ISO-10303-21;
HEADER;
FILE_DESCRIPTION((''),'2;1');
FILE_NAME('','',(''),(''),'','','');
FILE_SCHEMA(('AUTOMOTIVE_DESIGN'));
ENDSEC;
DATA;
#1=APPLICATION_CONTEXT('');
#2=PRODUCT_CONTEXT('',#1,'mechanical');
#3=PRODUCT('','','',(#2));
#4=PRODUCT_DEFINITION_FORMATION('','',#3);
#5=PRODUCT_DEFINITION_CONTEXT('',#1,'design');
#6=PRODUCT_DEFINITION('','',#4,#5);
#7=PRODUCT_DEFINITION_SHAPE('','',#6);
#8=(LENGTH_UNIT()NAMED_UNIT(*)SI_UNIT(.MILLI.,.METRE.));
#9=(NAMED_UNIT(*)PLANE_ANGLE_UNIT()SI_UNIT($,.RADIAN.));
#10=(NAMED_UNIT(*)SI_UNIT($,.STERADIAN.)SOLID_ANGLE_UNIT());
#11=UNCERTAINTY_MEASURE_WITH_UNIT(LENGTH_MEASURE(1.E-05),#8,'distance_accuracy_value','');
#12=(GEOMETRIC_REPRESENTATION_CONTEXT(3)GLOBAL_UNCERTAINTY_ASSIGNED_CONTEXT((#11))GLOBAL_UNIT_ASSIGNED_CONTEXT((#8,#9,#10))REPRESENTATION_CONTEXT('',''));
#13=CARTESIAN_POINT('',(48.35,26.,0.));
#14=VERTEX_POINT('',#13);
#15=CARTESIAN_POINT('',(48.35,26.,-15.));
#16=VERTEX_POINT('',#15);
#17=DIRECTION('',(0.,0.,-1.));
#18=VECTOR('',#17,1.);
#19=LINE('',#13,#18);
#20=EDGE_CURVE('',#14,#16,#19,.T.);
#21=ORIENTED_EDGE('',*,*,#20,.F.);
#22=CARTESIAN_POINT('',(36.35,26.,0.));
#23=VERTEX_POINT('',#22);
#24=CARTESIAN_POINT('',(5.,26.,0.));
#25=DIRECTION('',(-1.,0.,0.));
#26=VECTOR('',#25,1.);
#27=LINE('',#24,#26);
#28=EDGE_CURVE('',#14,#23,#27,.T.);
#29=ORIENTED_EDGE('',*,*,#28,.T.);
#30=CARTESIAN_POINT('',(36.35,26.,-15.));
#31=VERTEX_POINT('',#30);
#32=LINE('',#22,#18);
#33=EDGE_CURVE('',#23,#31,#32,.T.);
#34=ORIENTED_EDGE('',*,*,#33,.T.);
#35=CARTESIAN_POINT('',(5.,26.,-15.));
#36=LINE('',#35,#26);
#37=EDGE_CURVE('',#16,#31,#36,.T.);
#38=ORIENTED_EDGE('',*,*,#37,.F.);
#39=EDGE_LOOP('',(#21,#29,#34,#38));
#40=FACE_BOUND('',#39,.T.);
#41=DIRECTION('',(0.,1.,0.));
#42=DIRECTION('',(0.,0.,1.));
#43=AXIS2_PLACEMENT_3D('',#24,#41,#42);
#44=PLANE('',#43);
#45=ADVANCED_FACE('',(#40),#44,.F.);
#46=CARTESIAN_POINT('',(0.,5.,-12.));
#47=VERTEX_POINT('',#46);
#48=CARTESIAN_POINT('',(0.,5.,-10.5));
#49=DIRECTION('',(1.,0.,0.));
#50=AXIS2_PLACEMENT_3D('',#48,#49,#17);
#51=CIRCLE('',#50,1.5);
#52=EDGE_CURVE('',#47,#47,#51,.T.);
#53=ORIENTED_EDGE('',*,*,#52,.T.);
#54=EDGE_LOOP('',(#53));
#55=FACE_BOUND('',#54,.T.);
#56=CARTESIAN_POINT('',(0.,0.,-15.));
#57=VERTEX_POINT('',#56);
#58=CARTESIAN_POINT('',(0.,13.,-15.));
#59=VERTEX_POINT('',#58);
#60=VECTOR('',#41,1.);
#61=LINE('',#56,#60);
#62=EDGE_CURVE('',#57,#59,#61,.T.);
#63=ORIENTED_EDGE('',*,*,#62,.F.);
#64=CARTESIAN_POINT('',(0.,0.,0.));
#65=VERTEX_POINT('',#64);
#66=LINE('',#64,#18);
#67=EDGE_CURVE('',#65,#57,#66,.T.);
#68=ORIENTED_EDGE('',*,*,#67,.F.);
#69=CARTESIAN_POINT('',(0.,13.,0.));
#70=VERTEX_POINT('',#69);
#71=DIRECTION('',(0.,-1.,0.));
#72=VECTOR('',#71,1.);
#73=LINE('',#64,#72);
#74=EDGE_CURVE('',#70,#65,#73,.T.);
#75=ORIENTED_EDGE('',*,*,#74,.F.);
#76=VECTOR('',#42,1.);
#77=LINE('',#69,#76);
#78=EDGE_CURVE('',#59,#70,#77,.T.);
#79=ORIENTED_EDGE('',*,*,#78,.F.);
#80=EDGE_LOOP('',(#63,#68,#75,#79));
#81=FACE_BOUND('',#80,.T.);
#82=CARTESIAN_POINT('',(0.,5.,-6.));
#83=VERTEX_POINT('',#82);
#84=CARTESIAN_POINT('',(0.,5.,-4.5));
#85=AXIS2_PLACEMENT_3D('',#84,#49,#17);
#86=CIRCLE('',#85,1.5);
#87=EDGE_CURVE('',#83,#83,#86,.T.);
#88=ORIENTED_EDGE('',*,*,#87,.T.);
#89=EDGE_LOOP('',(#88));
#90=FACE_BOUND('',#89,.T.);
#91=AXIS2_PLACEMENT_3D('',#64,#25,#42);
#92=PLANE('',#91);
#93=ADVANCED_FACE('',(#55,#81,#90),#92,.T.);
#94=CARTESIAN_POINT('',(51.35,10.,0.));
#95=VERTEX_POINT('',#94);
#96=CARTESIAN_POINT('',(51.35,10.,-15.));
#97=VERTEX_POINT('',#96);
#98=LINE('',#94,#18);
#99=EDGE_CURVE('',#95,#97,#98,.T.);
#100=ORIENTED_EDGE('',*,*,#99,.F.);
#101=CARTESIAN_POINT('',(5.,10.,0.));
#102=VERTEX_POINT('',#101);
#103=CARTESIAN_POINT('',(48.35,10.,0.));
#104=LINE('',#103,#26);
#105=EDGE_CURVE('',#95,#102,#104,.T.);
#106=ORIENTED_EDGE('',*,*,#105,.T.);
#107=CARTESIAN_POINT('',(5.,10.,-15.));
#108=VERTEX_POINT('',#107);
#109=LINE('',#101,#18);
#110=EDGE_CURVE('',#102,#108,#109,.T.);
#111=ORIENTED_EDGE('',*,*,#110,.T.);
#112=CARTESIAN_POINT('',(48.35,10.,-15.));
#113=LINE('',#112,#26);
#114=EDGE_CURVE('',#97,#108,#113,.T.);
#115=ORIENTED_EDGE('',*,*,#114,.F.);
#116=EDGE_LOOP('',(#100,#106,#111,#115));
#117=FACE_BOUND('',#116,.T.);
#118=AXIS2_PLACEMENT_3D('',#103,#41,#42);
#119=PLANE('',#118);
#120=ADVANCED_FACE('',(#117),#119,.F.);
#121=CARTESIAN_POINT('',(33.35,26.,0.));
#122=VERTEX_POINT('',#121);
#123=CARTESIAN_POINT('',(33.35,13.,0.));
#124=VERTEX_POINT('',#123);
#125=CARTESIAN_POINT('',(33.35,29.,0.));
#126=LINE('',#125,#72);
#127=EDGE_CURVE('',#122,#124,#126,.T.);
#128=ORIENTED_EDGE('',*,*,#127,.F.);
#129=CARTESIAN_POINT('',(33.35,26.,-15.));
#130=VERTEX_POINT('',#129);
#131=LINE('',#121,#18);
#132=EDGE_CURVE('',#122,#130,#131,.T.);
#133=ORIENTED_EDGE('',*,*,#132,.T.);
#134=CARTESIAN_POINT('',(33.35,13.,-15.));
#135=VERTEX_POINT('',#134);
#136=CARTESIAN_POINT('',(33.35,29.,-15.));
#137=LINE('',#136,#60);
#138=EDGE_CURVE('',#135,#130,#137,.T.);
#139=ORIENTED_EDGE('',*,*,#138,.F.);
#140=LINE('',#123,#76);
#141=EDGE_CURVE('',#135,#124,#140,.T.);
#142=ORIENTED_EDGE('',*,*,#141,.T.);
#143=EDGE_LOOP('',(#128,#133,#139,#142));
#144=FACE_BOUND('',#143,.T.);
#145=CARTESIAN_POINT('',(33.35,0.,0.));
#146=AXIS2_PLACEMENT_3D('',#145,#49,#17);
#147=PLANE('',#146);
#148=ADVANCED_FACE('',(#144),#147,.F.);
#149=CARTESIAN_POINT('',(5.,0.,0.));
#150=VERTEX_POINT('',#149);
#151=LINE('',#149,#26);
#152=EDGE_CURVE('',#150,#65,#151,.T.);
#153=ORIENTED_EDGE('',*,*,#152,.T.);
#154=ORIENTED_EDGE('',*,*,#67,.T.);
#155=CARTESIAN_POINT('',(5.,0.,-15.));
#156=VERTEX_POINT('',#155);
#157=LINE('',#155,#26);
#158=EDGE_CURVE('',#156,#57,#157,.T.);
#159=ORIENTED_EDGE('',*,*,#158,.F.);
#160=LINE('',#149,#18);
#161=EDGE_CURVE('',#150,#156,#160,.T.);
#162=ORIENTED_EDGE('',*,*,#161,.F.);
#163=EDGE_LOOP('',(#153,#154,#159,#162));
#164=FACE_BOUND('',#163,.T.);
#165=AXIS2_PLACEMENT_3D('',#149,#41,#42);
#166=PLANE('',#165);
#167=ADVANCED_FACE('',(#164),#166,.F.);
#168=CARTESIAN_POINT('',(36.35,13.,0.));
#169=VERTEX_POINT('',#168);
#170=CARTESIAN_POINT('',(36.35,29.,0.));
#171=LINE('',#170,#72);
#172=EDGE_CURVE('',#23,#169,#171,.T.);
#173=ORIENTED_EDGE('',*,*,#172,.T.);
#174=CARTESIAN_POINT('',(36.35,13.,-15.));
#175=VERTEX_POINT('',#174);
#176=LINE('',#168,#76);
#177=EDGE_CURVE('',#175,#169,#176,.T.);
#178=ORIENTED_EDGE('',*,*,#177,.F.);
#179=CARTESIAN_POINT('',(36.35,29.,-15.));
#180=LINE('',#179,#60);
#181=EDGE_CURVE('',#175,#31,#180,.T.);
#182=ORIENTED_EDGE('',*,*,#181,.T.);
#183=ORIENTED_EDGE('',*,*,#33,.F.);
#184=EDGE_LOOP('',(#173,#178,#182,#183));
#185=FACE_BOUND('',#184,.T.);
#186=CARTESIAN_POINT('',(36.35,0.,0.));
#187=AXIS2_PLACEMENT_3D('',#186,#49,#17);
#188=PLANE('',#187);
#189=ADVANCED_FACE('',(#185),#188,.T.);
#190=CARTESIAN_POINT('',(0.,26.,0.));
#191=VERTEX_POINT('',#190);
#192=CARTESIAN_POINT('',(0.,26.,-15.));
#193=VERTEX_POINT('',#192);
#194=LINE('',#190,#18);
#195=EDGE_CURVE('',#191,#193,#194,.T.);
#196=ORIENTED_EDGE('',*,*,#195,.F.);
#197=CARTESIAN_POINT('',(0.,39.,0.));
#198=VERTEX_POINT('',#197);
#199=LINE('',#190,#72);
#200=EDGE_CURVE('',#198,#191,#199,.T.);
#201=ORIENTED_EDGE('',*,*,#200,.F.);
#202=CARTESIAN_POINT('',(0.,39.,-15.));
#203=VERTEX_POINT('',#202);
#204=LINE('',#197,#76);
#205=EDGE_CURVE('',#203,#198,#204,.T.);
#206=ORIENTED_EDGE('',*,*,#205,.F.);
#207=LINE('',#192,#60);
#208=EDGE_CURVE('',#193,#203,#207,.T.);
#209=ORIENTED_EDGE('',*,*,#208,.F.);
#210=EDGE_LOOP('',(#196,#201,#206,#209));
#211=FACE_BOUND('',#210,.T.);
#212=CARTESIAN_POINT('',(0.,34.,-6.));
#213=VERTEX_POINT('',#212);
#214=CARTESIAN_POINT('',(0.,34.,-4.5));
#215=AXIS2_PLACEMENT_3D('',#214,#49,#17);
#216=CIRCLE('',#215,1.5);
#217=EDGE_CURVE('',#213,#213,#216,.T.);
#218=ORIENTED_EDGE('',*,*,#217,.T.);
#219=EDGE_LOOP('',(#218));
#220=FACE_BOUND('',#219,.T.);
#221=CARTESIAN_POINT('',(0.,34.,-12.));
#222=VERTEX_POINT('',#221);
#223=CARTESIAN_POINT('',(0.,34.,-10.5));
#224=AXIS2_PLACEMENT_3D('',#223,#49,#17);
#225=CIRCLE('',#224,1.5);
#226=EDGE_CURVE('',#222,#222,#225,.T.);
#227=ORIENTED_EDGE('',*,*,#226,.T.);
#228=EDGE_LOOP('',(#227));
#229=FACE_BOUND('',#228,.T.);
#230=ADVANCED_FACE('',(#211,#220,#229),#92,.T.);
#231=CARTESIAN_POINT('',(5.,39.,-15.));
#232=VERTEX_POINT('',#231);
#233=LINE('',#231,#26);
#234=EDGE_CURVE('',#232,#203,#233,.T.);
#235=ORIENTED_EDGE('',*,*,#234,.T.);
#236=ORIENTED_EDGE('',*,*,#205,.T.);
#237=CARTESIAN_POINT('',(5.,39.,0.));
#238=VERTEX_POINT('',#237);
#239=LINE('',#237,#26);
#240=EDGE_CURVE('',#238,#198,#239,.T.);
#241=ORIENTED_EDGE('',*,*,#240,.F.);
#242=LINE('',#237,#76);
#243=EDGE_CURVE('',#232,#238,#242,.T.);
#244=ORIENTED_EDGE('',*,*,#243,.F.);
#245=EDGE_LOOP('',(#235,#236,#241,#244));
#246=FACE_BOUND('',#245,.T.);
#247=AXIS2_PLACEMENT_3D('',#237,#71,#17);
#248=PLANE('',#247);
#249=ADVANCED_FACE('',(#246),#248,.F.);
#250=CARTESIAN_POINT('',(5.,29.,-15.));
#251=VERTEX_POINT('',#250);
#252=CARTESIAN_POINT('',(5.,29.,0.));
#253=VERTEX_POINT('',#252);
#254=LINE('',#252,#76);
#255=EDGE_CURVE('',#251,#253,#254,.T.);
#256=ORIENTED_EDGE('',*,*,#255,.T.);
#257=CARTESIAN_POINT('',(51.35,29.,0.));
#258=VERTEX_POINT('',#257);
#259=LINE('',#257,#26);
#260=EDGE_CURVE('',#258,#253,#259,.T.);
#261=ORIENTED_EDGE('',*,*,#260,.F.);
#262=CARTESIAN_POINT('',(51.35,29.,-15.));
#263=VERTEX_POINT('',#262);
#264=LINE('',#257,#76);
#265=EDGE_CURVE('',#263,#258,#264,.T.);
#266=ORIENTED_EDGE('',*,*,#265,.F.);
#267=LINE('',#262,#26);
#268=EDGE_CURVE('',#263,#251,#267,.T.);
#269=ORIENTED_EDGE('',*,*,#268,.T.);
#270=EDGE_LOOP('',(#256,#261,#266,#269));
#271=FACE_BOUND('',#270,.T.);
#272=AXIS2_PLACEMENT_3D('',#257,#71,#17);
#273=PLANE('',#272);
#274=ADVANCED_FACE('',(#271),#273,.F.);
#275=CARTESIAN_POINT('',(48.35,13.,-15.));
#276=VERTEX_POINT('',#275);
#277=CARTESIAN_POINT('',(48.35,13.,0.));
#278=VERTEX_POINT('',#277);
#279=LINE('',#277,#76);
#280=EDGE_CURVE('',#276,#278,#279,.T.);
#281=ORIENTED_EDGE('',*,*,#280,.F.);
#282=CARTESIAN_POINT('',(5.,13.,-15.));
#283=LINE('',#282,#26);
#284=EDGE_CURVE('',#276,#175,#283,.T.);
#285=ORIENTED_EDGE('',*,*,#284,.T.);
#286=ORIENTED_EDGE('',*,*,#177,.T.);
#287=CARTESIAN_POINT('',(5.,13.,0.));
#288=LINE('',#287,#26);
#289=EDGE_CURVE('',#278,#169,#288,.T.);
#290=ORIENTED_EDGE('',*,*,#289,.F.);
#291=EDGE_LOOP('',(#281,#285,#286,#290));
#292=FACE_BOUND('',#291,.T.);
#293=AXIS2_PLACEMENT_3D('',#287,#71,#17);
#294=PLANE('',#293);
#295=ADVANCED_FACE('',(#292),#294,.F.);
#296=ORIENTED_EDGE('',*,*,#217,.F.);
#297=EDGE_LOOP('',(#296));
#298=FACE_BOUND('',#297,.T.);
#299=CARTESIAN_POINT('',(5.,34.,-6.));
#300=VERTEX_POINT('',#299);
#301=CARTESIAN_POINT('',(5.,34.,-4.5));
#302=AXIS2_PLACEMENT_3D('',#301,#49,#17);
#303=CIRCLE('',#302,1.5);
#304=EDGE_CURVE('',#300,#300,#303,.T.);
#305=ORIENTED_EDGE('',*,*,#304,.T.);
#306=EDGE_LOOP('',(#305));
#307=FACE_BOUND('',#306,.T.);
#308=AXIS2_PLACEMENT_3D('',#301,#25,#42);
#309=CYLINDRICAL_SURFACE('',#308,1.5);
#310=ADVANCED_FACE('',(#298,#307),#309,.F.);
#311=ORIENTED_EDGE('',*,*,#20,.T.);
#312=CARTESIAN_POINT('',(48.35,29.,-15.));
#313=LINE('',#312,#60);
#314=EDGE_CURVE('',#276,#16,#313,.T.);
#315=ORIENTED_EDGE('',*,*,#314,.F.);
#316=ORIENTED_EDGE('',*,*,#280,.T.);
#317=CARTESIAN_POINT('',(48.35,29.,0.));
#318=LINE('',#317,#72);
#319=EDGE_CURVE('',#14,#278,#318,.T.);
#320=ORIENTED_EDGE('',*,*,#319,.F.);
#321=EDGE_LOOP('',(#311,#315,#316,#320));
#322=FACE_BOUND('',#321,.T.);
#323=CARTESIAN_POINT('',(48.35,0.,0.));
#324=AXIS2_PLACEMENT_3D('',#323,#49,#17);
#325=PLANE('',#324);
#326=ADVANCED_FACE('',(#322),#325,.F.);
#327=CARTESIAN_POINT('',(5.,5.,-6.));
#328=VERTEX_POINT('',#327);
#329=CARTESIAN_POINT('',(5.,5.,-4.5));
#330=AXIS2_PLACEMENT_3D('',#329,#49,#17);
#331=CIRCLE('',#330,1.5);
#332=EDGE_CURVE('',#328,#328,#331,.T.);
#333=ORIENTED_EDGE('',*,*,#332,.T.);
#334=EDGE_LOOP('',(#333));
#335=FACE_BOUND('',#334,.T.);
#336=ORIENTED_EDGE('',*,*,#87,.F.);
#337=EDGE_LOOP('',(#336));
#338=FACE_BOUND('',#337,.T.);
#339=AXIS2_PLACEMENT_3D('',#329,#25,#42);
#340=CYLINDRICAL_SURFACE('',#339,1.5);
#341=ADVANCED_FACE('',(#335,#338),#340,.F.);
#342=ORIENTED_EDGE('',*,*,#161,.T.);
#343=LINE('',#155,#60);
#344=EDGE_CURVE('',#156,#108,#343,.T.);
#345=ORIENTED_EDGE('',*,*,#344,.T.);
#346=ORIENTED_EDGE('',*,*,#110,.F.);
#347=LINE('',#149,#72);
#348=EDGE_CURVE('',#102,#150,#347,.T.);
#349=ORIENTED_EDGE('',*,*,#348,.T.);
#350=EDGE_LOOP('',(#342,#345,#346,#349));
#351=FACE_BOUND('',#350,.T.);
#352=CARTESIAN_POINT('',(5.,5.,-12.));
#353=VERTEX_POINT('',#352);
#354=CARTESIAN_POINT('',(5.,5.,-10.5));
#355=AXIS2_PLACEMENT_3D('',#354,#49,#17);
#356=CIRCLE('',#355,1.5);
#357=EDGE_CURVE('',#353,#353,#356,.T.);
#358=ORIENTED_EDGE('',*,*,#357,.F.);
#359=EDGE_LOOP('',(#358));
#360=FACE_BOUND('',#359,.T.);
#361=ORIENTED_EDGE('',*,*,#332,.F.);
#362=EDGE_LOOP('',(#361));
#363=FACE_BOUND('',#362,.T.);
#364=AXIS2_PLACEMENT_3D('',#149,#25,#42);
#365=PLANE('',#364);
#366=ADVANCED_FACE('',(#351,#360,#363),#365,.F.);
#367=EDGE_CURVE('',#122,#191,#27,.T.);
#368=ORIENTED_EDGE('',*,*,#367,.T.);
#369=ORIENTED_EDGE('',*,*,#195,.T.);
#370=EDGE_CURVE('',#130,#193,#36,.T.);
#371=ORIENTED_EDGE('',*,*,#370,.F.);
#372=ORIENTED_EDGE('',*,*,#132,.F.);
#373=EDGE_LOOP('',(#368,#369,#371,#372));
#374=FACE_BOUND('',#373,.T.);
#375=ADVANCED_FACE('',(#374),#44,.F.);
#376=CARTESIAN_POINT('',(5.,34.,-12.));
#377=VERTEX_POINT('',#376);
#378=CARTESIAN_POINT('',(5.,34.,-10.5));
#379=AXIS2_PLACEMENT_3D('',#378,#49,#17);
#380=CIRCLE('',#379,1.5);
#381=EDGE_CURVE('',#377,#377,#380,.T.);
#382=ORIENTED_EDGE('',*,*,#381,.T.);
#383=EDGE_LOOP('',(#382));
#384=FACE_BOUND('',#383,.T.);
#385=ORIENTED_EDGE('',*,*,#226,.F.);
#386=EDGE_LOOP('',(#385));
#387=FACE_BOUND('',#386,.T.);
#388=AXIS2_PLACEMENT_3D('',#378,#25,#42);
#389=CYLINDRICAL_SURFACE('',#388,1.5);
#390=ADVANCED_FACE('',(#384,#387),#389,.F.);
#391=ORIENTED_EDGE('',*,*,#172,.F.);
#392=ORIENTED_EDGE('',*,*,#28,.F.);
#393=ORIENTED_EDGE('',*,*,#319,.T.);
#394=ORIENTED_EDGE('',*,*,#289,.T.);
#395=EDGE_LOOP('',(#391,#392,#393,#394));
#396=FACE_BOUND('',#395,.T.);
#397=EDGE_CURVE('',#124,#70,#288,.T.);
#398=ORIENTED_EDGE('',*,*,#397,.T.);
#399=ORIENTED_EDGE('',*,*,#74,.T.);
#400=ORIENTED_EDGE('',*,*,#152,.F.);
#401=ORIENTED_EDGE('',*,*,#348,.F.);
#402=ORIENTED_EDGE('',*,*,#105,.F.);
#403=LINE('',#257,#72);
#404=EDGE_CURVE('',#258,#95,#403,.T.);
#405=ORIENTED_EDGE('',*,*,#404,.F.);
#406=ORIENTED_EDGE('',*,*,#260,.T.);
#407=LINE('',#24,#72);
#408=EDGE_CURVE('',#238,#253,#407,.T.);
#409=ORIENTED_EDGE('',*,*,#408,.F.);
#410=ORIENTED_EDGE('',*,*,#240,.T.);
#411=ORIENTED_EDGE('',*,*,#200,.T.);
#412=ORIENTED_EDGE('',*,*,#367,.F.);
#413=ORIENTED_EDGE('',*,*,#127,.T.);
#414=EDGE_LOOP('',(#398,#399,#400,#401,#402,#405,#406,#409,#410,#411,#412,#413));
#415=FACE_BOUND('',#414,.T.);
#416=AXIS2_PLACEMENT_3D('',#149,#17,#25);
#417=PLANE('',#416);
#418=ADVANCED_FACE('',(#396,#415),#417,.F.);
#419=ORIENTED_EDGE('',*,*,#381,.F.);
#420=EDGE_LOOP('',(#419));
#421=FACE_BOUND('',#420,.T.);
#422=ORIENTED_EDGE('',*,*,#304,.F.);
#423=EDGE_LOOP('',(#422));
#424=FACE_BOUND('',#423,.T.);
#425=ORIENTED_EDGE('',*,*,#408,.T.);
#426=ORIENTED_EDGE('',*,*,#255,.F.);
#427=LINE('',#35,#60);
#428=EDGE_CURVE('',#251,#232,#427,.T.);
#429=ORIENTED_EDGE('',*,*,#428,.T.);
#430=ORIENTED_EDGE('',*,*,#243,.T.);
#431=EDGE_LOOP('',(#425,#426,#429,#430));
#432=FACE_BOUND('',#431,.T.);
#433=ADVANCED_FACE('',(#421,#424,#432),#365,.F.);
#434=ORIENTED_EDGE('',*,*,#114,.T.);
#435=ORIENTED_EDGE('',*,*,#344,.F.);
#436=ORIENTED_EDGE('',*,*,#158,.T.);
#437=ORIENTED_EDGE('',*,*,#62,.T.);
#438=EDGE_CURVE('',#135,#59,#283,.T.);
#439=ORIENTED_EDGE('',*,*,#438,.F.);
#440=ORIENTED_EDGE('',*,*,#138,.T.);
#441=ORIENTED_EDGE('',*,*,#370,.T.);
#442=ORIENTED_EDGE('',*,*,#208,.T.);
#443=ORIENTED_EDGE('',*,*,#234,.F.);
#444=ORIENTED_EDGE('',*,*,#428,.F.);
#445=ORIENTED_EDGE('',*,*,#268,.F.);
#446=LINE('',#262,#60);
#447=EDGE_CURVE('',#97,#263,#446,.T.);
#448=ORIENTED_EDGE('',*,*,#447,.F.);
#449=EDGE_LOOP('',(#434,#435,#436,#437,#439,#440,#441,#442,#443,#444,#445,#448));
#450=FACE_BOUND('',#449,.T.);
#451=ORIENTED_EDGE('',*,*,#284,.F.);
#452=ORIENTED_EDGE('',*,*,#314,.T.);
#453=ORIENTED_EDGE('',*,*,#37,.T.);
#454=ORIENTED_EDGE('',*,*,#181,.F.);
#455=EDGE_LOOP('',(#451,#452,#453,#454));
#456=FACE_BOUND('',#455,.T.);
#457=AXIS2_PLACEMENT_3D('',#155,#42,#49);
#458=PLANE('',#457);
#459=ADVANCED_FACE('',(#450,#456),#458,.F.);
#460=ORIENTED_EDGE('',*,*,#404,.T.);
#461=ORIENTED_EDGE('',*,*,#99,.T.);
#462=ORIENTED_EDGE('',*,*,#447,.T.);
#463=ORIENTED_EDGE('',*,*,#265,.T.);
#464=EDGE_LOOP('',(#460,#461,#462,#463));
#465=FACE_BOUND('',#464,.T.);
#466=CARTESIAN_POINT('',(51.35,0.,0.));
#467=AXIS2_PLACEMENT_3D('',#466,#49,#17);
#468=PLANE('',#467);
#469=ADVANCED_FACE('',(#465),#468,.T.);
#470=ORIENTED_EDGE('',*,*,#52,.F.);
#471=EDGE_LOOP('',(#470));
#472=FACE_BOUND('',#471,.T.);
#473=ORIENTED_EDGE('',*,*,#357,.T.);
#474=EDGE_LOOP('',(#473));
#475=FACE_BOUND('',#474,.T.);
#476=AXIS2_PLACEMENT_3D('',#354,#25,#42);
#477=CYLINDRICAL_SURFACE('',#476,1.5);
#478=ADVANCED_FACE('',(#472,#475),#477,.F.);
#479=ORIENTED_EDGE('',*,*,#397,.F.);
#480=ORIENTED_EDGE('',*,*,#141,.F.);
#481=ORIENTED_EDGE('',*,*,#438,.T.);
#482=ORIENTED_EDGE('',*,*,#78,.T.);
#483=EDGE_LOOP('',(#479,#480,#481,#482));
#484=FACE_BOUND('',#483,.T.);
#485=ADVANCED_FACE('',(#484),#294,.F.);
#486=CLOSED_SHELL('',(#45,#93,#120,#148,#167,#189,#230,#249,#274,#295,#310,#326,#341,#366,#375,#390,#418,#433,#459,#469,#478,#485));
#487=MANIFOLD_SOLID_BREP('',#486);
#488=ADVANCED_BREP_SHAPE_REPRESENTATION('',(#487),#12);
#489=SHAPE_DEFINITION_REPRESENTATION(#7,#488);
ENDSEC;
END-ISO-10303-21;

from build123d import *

# Parameters (mm, degrees)
SKETCH1_W             = 15
SKETCH1_H             = 13
SKETCH1_R             = 1.5
BOSS_EXTRUDE1_DEPTH   = 5
BOSS_EXTRUDE1_2_DEPTH = 5
SKETCH2_W             = 15
SKETCH2_H             = 3
BOSS_EXTRUDE2_DEPTH   = 43.35
SKETCH3_W             = 15
SKETCH3_H             = 19
BOSS_EXTRUDE3_DEPTH   = 3
BOSS_EXTRUDE5_START   = -15
SKETCH5_W             = 15
SKETCH5_H             = 19
BOSS_EXTRUDE5_DEPTH   = 3


with BuildPart() as part:
    # Sketch1 → Boss-Extrude1 (new body)
    with BuildSketch(Plane(origin=(0, 0, 0), x_dir=(0, 0, -1), z_dir=(1, 0, 0))):
        with Locations((7.5, 6.5)):
            Rectangle(SKETCH1_W, SKETCH1_H)
        with Locations((4.5, 5)):
            Circle(SKETCH1_R, mode=Mode.SUBTRACT)
        with Locations((10.5, 5)):
            Circle(SKETCH1_R, mode=Mode.SUBTRACT)
    extrude(amount=BOSS_EXTRUDE1_DEPTH)



with BuildPart() as body_2:
    # Sketch1 → Boss-Extrude1 2 (new body)
    with BuildSketch(Plane(origin=(0, 0, 0), x_dir=(0, 0, -1), z_dir=(1, 0, 0))):
        with Locations((7.5, 32.5)):
            Rectangle(SKETCH1_W, SKETCH1_H)
        with Locations((4.5, 34)):
            Circle(SKETCH1_R, mode=Mode.SUBTRACT)
        with Locations((10.5, 34)):
            Circle(SKETCH1_R, mode=Mode.SUBTRACT)
    extrude(amount=BOSS_EXTRUDE1_2_DEPTH)


with BuildPart() as part_1:
    add(part.part)

    add(body_2.part)  # Boss-Extrude2 merges body 2
    # Sketch2 → Boss-Extrude2 (add)
    with BuildSketch(Plane(origin=(5, 0, 0), x_dir=(0, 0, -1), z_dir=(1, 0, 0))):
        with Locations((7.5, 27.5)):
            Rectangle(SKETCH2_W, SKETCH2_H)
        with Locations((7.5, 11.5)):
            Rectangle(SKETCH2_W, SKETCH2_H)
    extrude(amount=BOSS_EXTRUDE2_DEPTH)

    # Sketch3 → Boss-Extrude3 (add)
    with BuildSketch(Plane(origin=(48.35, 0, 0), x_dir=(0, 0, -1), z_dir=(1, 0, 0))):
        with Locations((7.5, 19.5)):
            Rectangle(SKETCH3_W, SKETCH3_H)
    extrude(amount=BOSS_EXTRUDE3_DEPTH)

    # Sketch5 → Boss-Extrude5 (add)
    with BuildSketch(Plane(origin=(51.35, 0, 0), x_dir=(0, 0, -1), z_dir=(1, 0, 0)).offset(BOSS_EXTRUDE5_START)):
        with Locations((7.5, 19.5)):
            Rectangle(SKETCH5_W, SKETCH5_H)
    extrude(amount=-BOSS_EXTRUDE5_DEPTH)


solid = part_1.part
